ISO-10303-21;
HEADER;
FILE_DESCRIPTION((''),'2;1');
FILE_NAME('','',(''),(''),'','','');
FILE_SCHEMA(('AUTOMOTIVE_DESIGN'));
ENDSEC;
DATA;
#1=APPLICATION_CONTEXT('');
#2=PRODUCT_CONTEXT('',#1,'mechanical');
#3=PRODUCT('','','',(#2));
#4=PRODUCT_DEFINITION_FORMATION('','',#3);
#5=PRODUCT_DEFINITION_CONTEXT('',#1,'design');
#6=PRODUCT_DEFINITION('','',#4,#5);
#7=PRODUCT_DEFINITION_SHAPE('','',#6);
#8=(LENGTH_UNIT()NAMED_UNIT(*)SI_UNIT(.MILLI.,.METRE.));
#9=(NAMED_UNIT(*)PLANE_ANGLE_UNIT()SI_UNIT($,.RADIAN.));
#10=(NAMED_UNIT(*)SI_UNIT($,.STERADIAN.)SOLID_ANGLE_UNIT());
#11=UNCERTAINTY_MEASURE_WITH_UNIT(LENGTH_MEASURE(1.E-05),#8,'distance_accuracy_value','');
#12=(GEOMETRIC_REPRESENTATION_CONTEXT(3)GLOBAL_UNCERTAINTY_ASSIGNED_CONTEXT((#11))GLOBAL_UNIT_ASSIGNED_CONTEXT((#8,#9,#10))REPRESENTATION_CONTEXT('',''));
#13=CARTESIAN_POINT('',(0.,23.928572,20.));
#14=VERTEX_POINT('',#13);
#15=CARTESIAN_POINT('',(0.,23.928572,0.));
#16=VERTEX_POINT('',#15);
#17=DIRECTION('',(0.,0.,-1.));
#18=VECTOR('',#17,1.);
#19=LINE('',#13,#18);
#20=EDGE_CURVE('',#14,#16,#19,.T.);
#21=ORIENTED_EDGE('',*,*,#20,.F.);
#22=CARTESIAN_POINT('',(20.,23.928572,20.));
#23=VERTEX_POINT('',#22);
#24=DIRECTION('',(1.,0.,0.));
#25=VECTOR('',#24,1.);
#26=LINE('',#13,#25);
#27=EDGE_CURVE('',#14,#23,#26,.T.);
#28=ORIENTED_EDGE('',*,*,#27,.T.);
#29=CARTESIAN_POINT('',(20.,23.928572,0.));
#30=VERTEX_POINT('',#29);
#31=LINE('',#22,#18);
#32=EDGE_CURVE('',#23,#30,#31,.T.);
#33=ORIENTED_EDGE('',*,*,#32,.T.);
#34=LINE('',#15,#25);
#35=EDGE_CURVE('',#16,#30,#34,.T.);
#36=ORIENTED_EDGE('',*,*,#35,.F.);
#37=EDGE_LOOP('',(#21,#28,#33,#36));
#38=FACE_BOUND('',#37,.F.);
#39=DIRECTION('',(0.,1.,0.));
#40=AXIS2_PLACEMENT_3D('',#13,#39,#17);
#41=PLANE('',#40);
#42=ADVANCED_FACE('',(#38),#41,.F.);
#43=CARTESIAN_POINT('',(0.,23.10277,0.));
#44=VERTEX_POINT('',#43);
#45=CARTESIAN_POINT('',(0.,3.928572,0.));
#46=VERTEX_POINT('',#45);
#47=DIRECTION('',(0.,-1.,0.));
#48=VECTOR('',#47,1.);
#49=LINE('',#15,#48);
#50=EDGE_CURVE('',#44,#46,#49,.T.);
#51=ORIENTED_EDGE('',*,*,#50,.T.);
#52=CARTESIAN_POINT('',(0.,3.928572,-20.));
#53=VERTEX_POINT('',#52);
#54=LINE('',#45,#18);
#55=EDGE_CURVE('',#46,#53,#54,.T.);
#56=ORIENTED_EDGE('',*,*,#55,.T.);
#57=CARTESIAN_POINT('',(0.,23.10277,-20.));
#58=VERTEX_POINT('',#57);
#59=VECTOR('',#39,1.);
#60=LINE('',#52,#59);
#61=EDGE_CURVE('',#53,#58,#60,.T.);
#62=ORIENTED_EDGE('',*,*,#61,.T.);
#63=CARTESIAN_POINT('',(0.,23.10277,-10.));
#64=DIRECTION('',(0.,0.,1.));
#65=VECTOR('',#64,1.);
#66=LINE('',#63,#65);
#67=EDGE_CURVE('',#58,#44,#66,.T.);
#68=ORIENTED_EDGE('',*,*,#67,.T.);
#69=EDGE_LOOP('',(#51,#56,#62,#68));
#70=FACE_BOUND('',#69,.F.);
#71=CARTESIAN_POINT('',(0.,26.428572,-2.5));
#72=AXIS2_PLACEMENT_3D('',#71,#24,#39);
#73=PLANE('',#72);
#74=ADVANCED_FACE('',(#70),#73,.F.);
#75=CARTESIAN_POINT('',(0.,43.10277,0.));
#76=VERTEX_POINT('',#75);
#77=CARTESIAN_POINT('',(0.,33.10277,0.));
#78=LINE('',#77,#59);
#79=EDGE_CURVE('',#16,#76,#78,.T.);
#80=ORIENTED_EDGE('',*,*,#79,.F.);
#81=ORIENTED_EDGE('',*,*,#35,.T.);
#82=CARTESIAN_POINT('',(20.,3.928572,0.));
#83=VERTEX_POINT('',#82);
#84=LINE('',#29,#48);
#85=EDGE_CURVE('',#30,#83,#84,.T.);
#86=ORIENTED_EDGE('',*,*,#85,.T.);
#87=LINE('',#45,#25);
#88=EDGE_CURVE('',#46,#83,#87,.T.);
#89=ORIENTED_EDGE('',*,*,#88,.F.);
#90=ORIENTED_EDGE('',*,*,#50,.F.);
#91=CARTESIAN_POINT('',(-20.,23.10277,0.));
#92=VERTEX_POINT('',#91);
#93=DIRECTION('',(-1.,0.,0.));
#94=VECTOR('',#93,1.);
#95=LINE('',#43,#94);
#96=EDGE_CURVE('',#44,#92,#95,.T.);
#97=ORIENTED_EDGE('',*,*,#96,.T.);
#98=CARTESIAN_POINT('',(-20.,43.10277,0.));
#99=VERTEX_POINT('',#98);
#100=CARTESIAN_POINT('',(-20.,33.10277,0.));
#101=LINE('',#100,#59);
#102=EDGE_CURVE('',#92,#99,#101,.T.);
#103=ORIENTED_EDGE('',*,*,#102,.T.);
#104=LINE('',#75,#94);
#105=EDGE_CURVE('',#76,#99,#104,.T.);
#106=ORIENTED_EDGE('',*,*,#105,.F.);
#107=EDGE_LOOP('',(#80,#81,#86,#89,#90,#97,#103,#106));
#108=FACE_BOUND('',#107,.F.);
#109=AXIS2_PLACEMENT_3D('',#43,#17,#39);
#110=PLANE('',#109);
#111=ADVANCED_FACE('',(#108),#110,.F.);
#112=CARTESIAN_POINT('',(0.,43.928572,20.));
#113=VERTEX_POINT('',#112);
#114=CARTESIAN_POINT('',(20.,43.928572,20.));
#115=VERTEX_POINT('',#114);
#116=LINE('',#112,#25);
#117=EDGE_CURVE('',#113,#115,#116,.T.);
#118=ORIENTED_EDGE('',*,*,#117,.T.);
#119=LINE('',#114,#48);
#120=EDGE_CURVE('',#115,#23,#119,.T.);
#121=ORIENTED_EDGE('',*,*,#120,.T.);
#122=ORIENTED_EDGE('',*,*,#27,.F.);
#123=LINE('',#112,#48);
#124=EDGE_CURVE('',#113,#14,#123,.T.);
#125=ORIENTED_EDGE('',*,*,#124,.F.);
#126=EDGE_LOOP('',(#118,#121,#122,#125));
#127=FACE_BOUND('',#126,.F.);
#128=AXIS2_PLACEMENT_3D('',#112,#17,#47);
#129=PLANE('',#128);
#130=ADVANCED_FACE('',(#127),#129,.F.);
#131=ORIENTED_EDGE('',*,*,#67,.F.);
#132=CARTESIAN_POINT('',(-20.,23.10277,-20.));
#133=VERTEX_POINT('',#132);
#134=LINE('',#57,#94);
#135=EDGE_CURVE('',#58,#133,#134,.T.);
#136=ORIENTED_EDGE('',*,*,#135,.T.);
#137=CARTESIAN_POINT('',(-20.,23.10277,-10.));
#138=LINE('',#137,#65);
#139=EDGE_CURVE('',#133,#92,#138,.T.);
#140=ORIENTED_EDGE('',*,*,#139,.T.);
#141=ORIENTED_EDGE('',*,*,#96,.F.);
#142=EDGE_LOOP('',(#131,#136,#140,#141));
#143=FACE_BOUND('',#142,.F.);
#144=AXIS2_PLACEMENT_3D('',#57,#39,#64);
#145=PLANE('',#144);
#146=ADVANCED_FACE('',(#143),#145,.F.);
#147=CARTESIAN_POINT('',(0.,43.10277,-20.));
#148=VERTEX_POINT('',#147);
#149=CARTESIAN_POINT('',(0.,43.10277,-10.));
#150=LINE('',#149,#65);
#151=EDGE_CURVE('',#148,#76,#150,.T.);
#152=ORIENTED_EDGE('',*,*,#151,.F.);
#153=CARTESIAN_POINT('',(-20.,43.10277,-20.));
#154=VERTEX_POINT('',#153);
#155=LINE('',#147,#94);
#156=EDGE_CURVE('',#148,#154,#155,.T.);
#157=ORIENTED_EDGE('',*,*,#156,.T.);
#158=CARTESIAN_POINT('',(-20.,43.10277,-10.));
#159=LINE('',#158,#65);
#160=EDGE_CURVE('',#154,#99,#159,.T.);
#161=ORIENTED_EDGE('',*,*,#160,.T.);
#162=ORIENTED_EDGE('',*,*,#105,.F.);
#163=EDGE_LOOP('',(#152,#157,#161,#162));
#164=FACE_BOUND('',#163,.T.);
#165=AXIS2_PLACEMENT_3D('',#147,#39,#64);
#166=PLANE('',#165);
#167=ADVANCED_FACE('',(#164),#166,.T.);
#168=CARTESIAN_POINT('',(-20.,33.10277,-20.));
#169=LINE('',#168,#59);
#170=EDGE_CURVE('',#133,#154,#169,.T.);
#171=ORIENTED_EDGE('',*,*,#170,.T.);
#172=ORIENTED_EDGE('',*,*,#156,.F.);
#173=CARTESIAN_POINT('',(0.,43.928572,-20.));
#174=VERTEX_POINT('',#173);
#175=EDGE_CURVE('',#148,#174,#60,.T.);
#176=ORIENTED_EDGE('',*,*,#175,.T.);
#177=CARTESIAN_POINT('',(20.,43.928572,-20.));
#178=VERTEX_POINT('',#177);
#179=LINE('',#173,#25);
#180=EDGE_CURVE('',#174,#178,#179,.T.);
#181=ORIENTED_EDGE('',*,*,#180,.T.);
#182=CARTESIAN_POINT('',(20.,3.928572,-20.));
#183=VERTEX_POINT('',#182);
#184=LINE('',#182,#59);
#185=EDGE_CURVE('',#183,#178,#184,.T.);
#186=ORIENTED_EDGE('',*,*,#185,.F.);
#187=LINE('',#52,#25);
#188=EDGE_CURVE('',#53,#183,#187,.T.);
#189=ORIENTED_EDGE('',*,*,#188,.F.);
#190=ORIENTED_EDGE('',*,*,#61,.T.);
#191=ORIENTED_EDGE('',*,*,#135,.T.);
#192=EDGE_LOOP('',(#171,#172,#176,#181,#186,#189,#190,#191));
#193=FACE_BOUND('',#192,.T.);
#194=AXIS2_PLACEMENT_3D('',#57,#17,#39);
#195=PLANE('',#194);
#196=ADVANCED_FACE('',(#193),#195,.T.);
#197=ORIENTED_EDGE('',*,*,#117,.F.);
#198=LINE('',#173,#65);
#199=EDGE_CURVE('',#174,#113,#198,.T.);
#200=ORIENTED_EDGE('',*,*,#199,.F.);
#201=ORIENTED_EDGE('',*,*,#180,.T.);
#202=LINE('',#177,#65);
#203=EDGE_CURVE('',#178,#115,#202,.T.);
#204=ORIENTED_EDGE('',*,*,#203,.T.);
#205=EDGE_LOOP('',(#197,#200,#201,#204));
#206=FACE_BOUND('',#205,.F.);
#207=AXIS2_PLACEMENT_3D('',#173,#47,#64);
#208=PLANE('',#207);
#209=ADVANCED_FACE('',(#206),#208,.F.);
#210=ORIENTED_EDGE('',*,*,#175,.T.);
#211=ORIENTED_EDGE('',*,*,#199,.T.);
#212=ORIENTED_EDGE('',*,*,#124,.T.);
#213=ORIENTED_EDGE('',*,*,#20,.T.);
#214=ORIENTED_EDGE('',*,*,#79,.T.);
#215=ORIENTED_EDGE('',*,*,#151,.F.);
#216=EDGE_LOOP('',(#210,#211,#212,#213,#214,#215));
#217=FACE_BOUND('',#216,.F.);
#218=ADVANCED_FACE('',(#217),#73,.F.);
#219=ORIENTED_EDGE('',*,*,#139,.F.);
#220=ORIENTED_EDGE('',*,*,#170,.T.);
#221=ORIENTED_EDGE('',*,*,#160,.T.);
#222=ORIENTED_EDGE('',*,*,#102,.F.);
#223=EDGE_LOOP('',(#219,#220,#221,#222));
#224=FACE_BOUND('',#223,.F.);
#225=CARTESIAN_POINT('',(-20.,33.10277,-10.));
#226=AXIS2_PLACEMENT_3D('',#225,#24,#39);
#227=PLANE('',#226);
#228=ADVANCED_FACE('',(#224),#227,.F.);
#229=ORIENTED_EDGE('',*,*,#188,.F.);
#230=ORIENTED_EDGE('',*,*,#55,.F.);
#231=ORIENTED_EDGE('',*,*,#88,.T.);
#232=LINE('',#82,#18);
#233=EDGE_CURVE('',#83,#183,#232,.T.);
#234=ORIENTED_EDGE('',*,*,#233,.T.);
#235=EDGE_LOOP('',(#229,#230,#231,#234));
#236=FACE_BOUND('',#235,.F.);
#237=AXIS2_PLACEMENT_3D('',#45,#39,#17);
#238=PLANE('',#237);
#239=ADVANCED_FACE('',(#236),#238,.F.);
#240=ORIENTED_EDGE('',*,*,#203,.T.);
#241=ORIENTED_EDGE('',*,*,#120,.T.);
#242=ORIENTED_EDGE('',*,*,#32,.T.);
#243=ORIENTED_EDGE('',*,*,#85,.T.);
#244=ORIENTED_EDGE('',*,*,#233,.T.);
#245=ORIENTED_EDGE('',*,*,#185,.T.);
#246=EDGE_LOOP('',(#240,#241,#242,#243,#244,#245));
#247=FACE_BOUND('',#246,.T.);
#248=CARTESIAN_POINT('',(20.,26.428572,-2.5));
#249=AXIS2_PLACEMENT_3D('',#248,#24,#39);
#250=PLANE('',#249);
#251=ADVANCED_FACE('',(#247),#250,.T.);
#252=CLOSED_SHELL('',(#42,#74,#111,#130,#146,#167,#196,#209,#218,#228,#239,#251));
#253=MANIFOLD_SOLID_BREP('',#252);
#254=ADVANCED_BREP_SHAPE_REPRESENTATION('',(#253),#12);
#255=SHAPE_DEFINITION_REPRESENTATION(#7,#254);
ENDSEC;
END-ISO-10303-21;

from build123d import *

# Parameters (mm, degrees)
F1_DEPTH = 20
F2_W     = 20
F2_H     = 20
F3_DEPTH = 20


with BuildPart() as f1:
    # F0 (on Right) → F1 (new body)
    with BuildSketch(Plane.YZ):
        Polygon((43.928572, -20), (43.928572, 20), (23.928572, 20), (23.928572, 0), (3.928572, 0), (3.928572, -20), align=None)
    extrude(amount=F1_DEPTH)

    # F2 (on Right) → F3 (join)
    with BuildSketch(Plane.YZ):
        with Locations((33.10277, -10)):
            Rectangle(F2_W, F2_H)
    extrude(amount=-F3_DEPTH)


solid = f1.part
